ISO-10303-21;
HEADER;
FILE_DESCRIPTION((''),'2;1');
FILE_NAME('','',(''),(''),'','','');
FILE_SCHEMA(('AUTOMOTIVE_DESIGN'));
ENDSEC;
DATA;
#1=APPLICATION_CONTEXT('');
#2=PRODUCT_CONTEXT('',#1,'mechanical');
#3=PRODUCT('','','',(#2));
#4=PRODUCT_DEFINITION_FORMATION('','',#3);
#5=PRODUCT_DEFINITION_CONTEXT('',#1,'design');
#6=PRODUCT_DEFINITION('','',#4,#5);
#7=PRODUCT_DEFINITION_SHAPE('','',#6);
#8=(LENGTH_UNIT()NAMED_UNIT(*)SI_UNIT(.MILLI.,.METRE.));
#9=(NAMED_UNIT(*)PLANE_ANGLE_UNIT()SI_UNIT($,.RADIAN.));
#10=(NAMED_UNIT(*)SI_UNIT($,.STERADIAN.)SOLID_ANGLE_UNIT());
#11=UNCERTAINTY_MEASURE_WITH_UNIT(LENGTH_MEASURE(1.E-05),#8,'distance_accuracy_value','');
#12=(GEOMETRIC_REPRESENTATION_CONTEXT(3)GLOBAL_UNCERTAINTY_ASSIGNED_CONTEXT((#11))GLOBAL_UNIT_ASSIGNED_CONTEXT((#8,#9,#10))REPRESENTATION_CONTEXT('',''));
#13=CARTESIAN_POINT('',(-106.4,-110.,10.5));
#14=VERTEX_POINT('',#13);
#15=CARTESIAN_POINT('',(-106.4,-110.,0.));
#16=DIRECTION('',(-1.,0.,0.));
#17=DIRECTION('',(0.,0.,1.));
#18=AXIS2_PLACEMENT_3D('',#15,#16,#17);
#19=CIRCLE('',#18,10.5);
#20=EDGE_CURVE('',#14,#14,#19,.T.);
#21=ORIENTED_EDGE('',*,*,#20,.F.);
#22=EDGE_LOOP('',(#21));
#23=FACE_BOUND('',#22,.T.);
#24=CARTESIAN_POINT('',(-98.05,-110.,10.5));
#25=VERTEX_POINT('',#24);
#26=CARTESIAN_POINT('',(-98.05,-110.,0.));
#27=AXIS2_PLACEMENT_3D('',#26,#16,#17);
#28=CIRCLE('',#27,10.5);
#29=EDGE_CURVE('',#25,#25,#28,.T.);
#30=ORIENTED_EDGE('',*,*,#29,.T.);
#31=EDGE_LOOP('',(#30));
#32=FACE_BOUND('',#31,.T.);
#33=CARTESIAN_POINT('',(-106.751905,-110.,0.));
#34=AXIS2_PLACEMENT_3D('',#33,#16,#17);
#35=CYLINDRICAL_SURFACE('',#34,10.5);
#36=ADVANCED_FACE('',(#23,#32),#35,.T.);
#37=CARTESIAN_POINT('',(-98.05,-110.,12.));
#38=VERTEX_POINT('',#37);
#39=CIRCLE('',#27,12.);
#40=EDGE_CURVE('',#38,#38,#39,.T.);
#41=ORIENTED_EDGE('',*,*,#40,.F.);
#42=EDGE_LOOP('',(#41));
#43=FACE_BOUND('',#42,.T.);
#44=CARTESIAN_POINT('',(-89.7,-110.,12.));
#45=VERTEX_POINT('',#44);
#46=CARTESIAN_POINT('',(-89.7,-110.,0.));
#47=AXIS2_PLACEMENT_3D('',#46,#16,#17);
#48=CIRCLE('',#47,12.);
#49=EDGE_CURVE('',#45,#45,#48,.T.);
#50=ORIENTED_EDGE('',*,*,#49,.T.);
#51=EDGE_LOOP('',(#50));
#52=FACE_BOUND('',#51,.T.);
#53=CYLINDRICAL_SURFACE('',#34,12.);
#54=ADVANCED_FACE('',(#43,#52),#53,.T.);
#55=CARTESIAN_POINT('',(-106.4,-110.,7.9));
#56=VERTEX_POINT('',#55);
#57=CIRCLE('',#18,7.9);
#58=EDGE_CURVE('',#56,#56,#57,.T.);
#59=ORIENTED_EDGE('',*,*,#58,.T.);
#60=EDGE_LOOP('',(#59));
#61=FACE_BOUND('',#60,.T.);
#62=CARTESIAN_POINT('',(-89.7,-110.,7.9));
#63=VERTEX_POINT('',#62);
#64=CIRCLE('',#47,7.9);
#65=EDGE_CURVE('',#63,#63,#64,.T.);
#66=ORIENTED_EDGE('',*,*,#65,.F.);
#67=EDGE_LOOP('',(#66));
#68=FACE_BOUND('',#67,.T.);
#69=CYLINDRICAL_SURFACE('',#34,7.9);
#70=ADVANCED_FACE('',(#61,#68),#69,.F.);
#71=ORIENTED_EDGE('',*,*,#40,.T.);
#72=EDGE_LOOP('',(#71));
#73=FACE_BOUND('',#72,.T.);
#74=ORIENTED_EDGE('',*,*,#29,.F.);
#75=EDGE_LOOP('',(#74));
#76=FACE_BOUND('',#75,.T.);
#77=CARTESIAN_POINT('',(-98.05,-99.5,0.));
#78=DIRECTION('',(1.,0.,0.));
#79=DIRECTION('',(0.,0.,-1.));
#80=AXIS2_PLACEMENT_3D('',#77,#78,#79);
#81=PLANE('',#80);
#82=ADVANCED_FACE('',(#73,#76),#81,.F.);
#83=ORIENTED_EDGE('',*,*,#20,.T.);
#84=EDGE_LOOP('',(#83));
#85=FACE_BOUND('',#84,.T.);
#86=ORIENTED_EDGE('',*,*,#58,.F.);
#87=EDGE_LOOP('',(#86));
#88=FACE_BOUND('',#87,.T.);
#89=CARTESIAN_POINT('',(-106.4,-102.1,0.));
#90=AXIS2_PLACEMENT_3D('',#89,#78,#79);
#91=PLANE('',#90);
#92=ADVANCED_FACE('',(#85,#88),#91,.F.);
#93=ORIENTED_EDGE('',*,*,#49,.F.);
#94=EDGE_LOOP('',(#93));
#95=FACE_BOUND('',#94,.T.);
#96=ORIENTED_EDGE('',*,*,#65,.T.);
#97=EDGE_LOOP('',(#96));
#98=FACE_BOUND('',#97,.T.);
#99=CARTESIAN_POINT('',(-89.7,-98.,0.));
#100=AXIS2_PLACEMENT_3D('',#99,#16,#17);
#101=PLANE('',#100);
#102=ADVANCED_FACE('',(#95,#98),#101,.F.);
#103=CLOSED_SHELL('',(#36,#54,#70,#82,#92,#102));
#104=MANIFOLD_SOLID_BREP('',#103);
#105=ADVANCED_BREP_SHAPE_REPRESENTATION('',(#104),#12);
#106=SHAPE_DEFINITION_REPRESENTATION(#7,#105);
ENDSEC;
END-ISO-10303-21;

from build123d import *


with BuildPart() as part:
    # Эскиз1 → Повернуть1 (revolve)
    with BuildSketch(Plane.XY):
        Polygon((-98.05, -98), (-89.7, -98), (-89.7, -102.1), (-106.4, -102.1), (-106.4, -99.5), (-98.05, -99.5), align=None)
    revolve(axis=Axis((-106.751905161, -110, 0), (1, 0, 0)))


solid = part.part
